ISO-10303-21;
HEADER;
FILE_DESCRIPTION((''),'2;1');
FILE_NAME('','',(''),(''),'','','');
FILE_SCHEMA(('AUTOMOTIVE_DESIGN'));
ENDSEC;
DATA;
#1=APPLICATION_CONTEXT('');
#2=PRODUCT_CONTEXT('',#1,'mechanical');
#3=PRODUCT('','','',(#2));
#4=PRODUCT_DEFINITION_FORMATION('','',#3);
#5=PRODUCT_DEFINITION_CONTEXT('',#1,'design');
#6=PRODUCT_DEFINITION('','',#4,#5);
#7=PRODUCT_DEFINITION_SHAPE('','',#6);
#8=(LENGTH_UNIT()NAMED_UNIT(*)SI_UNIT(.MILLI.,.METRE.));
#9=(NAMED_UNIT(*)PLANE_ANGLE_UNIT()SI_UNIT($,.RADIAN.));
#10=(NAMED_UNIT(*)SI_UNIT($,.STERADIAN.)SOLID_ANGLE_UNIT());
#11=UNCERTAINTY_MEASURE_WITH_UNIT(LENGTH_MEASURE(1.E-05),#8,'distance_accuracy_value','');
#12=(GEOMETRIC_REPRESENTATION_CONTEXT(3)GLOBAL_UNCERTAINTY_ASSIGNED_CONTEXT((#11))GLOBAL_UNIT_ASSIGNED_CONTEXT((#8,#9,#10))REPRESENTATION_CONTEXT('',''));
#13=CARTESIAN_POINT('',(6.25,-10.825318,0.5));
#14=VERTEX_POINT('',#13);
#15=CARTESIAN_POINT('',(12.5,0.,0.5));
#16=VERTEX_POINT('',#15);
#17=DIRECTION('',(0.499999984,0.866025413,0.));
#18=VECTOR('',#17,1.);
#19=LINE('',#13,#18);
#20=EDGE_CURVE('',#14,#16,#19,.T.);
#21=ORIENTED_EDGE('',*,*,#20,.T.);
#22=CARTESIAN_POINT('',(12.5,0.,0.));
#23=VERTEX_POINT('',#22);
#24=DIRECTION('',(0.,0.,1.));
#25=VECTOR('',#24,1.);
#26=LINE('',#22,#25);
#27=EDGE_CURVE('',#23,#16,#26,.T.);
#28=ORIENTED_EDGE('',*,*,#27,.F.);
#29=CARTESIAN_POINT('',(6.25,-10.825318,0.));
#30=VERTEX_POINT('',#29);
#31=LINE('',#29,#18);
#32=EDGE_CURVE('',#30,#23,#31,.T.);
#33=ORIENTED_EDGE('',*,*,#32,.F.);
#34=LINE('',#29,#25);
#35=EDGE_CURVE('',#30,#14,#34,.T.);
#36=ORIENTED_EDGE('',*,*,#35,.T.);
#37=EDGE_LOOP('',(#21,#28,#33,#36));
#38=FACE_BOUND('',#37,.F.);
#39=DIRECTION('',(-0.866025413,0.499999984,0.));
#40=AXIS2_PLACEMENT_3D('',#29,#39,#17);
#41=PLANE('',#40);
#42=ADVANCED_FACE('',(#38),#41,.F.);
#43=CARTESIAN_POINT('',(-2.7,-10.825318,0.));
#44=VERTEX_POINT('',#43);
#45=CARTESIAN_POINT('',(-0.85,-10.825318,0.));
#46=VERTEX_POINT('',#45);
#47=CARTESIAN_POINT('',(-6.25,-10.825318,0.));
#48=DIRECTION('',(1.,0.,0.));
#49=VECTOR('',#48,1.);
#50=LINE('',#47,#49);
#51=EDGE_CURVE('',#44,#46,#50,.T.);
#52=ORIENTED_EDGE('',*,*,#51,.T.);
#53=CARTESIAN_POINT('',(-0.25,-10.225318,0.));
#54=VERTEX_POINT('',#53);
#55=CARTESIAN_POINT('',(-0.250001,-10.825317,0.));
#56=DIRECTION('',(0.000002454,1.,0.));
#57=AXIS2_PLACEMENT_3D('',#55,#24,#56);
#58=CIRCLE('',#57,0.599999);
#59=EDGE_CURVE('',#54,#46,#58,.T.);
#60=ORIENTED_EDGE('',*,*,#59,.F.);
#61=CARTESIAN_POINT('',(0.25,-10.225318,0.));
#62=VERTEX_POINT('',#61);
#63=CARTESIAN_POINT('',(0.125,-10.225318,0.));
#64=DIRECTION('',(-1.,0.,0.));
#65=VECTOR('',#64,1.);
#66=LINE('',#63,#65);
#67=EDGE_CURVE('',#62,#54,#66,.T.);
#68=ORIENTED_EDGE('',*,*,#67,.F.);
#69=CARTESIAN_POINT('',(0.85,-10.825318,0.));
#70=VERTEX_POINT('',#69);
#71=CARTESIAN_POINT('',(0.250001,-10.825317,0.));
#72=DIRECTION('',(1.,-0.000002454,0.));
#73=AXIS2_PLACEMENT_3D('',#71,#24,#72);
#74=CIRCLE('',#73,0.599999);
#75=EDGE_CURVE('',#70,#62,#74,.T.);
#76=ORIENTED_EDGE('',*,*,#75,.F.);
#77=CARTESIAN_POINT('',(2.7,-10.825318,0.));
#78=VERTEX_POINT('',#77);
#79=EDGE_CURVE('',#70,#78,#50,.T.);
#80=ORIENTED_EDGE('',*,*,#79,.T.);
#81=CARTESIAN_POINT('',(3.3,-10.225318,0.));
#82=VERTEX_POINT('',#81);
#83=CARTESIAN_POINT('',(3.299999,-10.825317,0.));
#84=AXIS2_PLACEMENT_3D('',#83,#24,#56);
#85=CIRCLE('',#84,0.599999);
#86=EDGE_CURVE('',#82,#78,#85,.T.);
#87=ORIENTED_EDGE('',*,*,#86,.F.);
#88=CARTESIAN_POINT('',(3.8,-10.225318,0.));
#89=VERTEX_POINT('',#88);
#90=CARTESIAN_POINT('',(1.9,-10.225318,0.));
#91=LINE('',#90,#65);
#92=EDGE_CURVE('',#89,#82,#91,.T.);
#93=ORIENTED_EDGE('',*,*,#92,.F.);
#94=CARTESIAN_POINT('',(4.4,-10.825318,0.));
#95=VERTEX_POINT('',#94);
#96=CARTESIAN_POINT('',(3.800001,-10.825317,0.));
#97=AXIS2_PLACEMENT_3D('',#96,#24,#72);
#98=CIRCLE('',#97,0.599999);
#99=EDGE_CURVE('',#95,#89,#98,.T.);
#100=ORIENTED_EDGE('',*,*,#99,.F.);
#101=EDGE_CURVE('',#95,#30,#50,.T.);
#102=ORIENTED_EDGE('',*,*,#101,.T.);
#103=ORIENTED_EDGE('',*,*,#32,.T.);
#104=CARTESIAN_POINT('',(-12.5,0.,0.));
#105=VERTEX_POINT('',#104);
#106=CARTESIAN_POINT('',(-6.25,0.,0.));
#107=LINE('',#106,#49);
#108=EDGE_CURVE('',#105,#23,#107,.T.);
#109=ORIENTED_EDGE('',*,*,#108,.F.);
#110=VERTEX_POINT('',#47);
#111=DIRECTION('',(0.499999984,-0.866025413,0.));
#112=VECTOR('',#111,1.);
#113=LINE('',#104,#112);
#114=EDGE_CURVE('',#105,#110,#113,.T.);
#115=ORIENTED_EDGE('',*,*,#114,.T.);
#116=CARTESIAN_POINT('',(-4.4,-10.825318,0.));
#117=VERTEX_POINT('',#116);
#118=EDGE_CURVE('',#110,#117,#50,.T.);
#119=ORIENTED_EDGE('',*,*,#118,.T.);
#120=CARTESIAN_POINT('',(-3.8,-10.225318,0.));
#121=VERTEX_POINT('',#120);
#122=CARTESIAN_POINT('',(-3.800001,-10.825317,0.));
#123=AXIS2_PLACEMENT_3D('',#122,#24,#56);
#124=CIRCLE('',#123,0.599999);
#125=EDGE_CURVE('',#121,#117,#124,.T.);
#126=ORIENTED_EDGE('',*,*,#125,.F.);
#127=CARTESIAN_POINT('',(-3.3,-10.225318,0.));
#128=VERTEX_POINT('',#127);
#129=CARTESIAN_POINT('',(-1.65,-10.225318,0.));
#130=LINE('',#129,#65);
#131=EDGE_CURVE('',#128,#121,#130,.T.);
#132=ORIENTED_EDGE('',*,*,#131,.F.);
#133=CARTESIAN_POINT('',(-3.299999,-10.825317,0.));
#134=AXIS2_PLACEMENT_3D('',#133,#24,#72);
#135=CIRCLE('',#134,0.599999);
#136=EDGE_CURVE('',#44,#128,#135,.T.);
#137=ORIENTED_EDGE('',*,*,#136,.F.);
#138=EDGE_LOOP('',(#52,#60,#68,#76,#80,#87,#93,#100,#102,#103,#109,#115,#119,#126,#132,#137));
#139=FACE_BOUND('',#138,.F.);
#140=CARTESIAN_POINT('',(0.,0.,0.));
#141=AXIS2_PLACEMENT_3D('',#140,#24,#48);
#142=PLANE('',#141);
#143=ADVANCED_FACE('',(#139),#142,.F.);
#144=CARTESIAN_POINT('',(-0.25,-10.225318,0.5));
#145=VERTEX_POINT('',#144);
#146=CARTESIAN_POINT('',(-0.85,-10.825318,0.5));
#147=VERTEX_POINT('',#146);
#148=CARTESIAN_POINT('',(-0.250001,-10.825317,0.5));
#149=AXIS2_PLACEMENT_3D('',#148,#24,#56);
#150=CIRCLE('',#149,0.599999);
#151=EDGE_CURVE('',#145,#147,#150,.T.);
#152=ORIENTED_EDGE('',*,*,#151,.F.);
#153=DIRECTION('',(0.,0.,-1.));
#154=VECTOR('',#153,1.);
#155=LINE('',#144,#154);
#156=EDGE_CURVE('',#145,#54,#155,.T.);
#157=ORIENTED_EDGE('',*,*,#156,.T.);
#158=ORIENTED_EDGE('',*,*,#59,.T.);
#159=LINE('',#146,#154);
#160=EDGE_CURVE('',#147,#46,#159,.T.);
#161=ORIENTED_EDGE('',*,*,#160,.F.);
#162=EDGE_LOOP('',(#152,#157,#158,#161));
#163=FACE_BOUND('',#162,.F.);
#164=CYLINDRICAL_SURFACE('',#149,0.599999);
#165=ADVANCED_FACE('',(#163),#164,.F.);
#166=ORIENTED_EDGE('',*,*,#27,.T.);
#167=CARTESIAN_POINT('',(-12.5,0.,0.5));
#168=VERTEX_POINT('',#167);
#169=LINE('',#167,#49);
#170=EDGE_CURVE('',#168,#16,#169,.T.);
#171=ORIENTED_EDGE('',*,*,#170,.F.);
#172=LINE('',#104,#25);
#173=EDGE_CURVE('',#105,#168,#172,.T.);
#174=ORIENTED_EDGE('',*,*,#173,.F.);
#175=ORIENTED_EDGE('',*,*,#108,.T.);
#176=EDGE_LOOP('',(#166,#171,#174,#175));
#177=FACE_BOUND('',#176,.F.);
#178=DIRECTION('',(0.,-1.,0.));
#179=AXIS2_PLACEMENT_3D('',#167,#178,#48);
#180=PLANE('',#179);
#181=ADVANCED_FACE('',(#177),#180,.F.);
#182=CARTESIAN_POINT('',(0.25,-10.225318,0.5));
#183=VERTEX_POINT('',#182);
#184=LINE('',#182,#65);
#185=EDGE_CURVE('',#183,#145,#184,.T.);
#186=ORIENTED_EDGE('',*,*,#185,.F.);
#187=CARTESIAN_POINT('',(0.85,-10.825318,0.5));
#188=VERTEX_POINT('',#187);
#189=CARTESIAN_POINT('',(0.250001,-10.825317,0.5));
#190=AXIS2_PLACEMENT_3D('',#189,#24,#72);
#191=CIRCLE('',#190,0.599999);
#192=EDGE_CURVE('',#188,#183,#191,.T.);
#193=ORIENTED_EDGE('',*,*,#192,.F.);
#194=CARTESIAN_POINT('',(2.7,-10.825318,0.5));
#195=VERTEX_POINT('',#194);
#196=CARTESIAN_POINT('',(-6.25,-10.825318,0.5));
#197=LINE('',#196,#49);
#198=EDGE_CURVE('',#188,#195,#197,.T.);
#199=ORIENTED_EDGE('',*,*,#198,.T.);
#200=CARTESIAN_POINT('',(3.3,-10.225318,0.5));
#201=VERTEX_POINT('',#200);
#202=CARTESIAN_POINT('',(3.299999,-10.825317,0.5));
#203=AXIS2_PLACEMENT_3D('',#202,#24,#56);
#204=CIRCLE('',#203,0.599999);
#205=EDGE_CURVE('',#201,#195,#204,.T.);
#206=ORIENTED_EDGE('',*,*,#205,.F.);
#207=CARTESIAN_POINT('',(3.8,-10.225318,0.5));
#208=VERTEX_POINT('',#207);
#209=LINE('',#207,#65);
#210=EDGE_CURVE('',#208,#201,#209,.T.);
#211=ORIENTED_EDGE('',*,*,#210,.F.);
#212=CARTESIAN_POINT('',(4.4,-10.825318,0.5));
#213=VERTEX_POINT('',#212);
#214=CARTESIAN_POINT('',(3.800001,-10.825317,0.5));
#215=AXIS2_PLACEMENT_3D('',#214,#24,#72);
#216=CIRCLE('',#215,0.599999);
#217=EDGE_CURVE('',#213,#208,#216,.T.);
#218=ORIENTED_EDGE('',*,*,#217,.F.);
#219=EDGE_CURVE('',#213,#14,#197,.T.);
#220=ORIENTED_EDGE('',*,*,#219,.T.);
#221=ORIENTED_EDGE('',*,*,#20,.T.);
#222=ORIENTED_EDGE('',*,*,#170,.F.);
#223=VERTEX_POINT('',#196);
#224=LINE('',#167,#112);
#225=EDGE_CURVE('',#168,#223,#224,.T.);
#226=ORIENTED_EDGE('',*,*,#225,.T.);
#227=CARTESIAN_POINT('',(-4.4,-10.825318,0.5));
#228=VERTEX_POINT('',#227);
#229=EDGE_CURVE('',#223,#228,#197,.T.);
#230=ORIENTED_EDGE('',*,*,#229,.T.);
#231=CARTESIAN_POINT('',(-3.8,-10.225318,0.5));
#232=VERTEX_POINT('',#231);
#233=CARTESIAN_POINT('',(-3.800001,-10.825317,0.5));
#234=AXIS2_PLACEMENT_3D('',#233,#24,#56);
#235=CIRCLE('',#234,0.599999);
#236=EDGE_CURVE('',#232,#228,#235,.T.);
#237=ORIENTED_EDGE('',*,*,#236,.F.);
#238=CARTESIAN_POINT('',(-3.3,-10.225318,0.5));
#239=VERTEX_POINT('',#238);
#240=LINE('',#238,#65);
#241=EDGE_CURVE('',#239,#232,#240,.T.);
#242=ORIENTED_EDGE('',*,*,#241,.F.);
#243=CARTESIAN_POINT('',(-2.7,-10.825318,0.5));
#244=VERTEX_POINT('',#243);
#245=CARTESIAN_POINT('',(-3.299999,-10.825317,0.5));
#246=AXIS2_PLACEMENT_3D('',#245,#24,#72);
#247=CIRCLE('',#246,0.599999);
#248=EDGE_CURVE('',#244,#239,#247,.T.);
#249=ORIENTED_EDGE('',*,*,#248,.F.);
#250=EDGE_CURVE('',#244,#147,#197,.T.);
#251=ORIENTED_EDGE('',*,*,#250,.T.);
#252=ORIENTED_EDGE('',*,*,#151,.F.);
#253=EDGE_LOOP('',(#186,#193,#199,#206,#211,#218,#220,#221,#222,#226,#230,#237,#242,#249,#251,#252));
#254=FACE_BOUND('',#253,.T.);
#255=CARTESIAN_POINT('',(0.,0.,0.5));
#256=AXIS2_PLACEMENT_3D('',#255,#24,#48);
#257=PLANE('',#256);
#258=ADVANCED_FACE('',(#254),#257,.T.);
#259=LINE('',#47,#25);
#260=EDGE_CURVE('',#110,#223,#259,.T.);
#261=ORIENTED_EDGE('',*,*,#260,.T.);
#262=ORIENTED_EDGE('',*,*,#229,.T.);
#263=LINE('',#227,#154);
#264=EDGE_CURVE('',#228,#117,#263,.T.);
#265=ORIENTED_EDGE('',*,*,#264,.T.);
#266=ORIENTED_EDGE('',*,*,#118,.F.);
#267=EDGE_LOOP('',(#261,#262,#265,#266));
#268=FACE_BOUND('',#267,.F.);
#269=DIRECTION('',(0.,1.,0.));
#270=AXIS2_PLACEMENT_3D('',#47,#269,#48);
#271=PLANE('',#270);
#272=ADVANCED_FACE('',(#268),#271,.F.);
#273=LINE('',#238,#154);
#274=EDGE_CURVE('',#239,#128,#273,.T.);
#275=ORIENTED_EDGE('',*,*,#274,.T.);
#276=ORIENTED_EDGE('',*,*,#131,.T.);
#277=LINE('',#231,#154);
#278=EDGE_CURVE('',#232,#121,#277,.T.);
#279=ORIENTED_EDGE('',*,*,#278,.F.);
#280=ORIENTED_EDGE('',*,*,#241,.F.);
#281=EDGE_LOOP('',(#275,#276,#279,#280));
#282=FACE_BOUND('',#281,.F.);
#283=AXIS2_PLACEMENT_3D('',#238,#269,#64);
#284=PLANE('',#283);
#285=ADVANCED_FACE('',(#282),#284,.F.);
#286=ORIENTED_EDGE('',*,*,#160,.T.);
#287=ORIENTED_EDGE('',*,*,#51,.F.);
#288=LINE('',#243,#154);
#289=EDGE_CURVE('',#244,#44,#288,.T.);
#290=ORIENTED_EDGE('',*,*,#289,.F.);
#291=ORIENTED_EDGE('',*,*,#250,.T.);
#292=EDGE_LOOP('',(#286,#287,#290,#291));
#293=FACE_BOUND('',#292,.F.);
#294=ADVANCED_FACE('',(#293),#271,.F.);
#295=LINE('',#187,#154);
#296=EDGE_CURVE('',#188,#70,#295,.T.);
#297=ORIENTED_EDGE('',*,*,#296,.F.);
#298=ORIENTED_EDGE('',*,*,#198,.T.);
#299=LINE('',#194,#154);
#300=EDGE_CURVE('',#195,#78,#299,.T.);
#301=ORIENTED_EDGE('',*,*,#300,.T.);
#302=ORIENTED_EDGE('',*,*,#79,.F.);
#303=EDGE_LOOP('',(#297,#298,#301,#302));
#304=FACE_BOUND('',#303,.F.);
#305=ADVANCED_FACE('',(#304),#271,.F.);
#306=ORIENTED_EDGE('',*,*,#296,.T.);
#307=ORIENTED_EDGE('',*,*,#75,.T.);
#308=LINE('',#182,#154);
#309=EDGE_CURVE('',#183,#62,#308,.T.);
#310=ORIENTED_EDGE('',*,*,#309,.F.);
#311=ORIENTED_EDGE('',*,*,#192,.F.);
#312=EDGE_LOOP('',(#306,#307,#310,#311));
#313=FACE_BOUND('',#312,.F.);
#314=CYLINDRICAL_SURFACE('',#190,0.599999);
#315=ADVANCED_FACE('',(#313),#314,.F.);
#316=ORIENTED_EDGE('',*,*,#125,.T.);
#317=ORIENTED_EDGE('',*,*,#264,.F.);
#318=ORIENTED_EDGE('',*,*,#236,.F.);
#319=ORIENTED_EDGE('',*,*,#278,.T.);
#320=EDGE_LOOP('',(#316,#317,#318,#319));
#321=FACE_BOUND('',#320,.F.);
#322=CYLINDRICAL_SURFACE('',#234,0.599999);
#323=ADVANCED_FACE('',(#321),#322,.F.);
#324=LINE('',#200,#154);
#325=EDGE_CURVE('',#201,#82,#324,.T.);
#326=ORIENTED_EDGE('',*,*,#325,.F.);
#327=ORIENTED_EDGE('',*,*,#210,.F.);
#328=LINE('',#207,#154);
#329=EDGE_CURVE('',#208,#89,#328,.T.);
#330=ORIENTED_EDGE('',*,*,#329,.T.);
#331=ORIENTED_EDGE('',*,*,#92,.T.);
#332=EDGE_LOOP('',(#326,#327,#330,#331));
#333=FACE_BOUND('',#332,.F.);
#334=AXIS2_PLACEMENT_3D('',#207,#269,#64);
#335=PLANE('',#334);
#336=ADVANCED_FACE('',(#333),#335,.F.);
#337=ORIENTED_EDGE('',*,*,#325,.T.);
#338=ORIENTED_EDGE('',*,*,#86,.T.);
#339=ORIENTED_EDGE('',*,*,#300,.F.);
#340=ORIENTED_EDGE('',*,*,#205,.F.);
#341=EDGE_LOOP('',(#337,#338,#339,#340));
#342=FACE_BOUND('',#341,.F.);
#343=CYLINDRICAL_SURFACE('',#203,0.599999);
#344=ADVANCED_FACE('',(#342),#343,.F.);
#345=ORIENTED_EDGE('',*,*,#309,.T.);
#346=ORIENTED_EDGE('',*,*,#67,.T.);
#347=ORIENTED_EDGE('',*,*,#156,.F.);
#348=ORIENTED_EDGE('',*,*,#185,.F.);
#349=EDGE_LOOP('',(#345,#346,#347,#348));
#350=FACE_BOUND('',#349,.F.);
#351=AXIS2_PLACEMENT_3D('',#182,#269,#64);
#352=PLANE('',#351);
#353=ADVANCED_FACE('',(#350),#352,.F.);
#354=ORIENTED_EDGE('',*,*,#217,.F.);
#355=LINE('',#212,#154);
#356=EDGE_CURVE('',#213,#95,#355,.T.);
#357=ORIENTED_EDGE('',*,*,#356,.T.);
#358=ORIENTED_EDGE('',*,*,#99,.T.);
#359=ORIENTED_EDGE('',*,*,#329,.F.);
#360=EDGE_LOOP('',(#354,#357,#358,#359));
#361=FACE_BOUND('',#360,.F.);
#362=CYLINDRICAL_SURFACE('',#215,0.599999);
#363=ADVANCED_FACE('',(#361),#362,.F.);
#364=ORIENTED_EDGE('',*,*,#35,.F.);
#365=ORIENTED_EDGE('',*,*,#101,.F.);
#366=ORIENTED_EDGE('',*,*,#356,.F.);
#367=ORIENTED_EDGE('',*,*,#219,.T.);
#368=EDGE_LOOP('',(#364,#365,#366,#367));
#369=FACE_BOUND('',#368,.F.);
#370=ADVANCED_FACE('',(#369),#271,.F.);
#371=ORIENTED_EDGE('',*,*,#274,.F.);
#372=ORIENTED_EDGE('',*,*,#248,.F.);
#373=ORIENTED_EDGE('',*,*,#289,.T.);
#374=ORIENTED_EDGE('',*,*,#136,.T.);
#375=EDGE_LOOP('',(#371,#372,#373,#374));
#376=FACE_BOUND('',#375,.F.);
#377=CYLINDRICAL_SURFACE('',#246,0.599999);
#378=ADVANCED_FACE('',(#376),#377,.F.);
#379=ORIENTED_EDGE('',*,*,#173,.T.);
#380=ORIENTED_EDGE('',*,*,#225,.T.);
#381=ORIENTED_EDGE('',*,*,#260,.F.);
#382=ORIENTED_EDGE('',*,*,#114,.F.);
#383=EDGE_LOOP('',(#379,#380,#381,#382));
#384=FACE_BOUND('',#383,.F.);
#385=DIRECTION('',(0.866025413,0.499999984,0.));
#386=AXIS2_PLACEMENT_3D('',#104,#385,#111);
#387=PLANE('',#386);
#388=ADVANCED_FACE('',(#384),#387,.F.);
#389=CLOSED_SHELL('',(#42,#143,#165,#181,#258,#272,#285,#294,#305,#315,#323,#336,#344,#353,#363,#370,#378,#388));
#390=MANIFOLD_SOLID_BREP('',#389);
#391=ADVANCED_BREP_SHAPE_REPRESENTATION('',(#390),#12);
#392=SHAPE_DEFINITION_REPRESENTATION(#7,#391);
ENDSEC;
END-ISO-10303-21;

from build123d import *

# Parameters (mm, degrees)
F1_DEPTH = 0.5
F3_DEPTH = 0.501
F5_DEPTH = 0.501


with BuildPart() as f1:
    # F0 (on Top) → F1 (new body)
    with BuildSketch(Plane.XY):
        Polygon((6.25, -10.825318), (12.5, 0), (6.25, 10.825318), (-6.25, 10.825318), (-12.5, 0), (-6.25, -10.825318), align=None)
    extrude(amount=F1_DEPTH)

    # F2 (on face) → F3 (cut, through all)
    with BuildSketch(Plane.XY.offset(0.5)):
        with BuildLine():
            ThreePointArc((4.4, -10.825318), (4.224264, -10.401053), (3.8, -10.225318))
            Line((3.8, -10.225318), (3.3, -10.225318))
            ThreePointArc((3.3, -10.225318), (2.875736, -10.401053), (2.7, -10.825318))
            Line((2.7, -10.825318), (4.4, -10.825318))
        make_face()
        with BuildLine():
            ThreePointArc((0.85, -10.825318), (0.674264, -10.401053), (0.25, -10.225318))
            Line((0.25, -10.225318), (-0.25, -10.225318))
            ThreePointArc((-0.25, -10.225318), (-0.674264, -10.401053), (-0.85, -10.825318))
            Line((-0.85, -10.825318), (0.85, -10.825318))
        make_face()
        with BuildLine():
            ThreePointArc((-2.7, -10.825318), (-2.875736, -10.401053), (-3.3, -10.225318))
            Line((-3.3, -10.225318), (-3.8, -10.225318))
            ThreePointArc((-3.8, -10.225318), (-4.224264, -10.401053), (-4.4, -10.825318))
            Line((-4.4, -10.825318), (-2.7, -10.825318))
        make_face()
    extrude(amount=-F3_DEPTH, mode=Mode.SUBTRACT)

    # F4 (on face) → F5 (cut, through all)
    with BuildSketch(Plane.XY.offset(0.5)):
        Polygon((-6.25, 10.825318), (-12.5, 0), (12.5, 0), (6.25, 10.825318), align=None)
    extrude(amount=-F5_DEPTH, mode=Mode.SUBTRACT)


solid = f1.part
